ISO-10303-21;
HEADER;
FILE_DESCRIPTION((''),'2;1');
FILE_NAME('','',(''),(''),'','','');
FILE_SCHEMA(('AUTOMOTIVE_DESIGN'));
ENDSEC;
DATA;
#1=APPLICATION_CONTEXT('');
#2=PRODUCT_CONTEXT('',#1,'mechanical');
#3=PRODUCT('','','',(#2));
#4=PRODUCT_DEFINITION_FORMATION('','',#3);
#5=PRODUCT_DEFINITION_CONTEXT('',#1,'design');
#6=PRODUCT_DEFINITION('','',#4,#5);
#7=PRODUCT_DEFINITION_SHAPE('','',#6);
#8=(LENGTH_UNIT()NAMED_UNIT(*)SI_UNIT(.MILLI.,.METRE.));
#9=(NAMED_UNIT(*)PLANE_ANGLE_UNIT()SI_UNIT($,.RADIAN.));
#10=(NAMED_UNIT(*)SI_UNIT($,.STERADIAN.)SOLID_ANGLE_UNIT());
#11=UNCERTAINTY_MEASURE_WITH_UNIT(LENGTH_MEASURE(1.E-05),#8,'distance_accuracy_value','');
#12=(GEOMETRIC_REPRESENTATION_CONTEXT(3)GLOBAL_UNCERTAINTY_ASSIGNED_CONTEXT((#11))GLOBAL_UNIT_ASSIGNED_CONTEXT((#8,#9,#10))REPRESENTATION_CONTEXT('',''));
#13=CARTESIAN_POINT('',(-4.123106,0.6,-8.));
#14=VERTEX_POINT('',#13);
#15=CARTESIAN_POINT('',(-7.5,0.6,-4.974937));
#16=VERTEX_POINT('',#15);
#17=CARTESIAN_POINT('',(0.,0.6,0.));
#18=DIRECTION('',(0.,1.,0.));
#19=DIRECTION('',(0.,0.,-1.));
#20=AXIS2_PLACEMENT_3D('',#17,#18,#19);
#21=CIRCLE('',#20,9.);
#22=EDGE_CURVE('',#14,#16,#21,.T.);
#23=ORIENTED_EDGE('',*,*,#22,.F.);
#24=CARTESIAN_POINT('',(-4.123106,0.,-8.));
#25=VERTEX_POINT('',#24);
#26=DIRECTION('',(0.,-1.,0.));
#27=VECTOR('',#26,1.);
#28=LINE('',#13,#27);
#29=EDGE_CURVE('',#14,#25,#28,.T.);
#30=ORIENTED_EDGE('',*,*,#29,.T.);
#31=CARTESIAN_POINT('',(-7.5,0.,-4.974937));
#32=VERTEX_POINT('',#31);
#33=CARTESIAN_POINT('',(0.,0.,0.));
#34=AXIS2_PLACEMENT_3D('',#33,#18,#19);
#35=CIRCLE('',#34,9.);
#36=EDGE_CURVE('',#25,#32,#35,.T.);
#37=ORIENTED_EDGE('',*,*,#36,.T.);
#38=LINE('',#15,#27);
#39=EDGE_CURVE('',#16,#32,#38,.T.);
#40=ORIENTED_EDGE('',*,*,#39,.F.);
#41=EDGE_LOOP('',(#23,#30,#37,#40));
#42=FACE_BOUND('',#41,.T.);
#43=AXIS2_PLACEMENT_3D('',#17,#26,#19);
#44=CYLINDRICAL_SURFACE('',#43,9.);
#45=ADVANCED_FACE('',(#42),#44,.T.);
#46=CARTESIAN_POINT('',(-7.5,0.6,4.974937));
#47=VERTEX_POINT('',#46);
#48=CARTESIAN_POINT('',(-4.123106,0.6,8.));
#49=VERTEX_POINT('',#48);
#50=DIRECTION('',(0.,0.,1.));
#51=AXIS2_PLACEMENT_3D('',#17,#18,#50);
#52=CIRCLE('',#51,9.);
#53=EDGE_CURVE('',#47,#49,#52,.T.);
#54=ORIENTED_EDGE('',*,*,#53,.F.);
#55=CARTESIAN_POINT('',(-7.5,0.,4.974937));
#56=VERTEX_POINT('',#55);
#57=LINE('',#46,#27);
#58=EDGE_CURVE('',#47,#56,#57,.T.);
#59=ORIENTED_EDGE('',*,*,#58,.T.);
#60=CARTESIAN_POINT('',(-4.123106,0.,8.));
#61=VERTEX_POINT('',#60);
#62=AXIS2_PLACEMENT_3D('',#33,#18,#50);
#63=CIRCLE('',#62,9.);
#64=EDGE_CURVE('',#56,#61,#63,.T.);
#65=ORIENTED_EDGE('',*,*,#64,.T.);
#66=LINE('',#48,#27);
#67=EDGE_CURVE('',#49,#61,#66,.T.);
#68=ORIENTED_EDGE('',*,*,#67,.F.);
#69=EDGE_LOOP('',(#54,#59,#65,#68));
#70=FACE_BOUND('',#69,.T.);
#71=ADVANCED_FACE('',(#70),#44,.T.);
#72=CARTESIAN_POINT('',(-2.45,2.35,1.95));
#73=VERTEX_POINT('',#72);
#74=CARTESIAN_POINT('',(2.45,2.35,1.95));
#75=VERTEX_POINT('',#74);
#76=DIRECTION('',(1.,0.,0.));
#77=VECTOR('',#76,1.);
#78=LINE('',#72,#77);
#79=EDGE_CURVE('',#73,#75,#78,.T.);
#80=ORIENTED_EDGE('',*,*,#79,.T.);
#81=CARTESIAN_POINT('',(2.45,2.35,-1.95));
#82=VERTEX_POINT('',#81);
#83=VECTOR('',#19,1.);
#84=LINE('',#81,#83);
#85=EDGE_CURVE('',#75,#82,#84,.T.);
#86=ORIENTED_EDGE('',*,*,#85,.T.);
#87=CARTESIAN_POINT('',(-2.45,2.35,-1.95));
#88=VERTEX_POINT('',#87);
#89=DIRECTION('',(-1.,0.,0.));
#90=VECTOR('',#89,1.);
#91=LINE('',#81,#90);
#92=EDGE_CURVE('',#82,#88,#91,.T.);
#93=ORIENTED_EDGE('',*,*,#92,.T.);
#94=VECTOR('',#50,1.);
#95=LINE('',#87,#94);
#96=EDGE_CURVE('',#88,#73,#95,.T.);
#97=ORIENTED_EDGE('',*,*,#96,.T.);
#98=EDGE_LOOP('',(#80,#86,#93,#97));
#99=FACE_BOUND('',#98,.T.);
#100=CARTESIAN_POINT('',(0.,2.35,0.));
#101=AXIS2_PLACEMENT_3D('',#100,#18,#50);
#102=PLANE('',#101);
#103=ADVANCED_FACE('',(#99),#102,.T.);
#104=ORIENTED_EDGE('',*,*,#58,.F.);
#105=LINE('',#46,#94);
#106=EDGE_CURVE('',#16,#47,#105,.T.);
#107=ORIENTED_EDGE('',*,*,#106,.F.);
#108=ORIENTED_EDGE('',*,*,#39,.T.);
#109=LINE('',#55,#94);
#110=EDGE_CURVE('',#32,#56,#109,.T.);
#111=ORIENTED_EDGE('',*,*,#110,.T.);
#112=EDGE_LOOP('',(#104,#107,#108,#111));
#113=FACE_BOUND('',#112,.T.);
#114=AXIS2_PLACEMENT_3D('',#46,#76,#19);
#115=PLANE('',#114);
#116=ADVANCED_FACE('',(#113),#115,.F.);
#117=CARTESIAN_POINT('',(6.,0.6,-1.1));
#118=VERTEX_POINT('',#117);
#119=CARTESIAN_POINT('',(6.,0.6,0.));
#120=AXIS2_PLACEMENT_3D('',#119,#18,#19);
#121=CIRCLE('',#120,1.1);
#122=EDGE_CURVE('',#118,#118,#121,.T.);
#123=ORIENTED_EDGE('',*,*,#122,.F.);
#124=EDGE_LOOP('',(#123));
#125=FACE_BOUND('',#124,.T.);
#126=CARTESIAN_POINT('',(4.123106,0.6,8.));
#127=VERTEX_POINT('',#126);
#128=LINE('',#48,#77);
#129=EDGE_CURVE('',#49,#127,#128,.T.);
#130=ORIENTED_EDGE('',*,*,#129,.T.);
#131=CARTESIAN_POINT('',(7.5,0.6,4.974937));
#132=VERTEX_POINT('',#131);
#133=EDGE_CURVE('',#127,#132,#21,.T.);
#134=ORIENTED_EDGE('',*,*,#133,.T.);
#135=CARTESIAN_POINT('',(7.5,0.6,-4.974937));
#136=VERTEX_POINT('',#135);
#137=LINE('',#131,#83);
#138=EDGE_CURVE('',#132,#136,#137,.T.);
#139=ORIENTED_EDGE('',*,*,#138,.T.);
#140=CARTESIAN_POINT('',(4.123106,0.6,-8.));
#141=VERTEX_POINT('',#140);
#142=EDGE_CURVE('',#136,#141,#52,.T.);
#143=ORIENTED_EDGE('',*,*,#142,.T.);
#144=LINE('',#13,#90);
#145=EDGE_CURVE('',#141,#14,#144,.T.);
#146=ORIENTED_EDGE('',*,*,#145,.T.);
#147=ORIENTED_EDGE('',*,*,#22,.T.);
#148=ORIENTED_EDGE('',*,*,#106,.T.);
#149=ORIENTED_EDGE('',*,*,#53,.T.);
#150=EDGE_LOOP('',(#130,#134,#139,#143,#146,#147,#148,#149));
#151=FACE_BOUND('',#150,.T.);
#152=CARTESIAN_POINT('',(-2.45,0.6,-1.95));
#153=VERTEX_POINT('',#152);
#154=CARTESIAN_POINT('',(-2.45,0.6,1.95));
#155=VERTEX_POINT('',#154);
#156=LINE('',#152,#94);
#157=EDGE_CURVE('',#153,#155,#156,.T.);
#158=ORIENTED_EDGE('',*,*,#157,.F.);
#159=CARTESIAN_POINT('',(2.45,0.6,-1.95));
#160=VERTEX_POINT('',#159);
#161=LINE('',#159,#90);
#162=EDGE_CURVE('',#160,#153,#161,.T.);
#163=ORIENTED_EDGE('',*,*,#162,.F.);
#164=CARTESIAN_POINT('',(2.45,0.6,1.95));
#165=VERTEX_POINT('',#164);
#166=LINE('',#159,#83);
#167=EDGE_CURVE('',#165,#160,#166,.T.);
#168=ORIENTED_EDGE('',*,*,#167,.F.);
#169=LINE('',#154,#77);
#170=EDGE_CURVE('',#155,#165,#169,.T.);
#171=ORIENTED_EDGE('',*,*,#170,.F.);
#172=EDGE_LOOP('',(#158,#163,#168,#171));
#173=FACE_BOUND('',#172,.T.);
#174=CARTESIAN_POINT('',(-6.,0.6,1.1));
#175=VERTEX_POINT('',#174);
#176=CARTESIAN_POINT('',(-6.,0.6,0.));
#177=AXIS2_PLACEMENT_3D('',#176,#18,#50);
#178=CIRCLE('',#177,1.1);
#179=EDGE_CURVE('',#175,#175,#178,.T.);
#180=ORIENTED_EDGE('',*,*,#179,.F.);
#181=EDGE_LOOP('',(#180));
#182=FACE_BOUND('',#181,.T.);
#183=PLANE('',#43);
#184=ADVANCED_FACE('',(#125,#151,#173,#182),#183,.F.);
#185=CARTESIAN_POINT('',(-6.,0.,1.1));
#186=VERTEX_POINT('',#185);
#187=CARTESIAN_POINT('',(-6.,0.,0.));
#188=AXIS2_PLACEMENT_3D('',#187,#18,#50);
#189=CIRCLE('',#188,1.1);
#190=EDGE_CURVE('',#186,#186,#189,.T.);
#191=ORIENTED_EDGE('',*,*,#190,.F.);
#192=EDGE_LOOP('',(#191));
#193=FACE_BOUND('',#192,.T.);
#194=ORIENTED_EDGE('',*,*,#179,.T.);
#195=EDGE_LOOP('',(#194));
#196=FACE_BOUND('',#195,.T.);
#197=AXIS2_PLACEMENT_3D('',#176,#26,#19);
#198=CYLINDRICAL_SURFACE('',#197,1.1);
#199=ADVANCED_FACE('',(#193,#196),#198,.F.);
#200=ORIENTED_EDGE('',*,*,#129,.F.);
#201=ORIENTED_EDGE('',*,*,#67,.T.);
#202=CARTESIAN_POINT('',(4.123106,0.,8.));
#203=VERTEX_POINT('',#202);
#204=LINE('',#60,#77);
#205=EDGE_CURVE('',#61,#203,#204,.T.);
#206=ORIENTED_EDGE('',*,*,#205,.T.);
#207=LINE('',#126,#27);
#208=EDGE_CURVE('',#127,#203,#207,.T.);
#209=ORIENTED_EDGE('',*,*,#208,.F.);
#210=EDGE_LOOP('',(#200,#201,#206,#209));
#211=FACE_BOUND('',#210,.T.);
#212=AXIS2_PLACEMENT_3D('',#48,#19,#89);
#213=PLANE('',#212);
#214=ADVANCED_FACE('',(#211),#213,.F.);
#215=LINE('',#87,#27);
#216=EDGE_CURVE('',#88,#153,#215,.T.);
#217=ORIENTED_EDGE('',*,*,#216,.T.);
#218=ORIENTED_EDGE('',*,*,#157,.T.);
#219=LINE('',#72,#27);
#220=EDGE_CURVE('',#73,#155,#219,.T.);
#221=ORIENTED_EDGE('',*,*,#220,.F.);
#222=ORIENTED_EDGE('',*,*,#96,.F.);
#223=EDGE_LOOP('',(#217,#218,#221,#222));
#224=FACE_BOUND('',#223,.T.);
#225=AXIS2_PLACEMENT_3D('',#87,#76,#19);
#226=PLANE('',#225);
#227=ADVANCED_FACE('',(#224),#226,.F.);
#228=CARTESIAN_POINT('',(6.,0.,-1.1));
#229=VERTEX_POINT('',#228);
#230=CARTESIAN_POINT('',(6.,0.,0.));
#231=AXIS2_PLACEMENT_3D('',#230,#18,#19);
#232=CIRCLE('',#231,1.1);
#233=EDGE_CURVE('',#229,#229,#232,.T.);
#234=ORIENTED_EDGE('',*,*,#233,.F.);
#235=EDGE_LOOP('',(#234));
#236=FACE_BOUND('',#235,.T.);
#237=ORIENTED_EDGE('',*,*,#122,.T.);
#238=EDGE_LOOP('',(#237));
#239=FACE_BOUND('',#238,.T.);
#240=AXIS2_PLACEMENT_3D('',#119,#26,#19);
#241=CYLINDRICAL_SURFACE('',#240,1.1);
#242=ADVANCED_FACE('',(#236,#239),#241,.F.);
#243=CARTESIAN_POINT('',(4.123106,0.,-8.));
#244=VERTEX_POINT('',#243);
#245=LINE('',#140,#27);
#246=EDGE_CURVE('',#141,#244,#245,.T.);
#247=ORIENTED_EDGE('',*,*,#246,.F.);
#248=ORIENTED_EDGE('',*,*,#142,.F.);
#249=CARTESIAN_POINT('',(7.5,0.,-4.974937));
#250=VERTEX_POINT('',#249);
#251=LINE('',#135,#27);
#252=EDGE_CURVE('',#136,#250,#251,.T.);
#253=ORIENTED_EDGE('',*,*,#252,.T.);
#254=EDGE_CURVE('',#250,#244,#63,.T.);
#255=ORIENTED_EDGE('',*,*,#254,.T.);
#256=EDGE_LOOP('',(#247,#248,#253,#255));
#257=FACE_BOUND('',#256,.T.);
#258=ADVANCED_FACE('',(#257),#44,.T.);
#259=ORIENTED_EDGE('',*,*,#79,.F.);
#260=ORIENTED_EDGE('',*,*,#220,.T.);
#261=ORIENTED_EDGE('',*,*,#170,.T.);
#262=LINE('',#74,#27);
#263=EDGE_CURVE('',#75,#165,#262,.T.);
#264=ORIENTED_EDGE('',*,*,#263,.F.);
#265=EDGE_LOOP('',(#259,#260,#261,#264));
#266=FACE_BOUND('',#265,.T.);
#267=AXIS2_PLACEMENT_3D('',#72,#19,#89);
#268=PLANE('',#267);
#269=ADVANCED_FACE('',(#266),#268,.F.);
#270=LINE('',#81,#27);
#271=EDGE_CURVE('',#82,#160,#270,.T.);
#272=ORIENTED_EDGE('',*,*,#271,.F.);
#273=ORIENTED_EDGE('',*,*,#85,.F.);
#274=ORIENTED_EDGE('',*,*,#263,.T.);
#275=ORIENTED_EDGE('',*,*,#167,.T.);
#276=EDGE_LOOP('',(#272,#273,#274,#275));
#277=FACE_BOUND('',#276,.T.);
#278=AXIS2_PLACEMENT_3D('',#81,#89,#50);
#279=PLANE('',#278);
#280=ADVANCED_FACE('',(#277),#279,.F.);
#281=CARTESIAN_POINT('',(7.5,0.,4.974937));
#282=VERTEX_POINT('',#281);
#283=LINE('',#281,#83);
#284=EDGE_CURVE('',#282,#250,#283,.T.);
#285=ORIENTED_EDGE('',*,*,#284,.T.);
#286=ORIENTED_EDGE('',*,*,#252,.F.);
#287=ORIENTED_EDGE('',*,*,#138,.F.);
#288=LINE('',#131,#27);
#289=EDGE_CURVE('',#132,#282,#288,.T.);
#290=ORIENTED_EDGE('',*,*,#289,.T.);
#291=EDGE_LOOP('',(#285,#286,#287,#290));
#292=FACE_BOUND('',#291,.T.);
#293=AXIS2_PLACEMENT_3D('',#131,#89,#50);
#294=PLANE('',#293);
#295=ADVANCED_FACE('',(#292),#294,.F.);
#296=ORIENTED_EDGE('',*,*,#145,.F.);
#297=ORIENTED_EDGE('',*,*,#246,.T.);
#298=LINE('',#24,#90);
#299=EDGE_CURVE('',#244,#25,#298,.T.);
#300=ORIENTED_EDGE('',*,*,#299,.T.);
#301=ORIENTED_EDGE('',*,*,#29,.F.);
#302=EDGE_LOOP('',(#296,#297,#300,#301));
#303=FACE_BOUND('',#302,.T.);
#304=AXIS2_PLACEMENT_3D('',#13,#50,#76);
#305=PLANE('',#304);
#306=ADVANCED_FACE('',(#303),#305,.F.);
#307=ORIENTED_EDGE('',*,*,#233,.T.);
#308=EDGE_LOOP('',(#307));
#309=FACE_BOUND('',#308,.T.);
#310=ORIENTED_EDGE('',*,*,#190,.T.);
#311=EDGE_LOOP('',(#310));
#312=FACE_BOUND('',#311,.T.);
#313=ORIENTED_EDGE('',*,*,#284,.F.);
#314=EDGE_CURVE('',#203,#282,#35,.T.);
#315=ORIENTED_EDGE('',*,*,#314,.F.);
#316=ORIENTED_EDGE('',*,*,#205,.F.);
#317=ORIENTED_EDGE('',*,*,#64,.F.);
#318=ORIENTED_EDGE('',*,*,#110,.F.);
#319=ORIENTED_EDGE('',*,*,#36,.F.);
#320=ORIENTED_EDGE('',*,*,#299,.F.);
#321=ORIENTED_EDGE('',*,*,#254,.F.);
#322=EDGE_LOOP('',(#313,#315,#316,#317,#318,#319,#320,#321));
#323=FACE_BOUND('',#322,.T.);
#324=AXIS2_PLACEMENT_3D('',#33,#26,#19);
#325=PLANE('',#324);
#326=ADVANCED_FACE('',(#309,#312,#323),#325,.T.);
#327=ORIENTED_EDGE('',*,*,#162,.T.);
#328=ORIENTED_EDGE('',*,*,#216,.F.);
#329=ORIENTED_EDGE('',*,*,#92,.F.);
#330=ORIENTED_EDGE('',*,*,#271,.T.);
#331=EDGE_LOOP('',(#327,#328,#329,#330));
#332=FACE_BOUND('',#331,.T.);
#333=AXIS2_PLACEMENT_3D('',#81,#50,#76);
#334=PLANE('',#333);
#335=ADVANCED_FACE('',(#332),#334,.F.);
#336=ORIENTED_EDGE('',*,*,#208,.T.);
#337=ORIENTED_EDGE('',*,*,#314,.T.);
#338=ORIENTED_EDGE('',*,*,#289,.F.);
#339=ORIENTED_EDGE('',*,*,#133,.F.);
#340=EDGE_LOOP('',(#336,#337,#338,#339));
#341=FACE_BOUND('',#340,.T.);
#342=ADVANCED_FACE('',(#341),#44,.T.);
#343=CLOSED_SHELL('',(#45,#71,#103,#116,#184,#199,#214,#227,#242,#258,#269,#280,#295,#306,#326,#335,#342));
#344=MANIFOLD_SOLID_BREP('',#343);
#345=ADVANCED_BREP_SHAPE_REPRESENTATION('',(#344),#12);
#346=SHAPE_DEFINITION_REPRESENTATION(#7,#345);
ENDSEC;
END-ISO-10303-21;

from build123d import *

# Parameters (mm, degrees)
SKETCH_1_R      = 1.1
EXTRUDE_1_DEPTH = 0.6
SKETCH_2_W      = 4.9
SKETCH_2_H      = 3.9
EXTRUDE_2_DEPTH = 1.75


with BuildPart() as part:
    # 草图1 → 凸台-拉伸1 (new body)
    with BuildSketch(Plane(origin=(0, 0, 0), x_dir=(1, 0, 0), z_dir=(0, 1, 0))):
        with BuildLine():
            Line((-4.123105626, 8), (4.123105626, 8))
            ThreePointArc((4.123105626, 8), (6.005155898, 6.703588789), (7.5, 4.974937186))
            Line((7.5, 4.974937186), (7.5, -4.974937186))
            ThreePointArc((7.5, -4.974937186), (6.005155898, -6.703588789), (4.123105626, -8))
            Line((4.123105626, -8), (-4.123105626, -8))
            ThreePointArc((-4.123105626, -8), (-6.005155898, -6.703588789), (-7.5, -4.974937186))
            Line((-7.5, -4.974937186), (-7.5, 4.974937186))
            ThreePointArc((-7.5, 4.974937186), (-6.005155898, 6.703588789), (-4.123105626, 8))
        make_face()
        with Locations((-6, 0)):
            Circle(SKETCH_1_R, mode=Mode.SUBTRACT)
        with Locations((6, 0)):
            Circle(SKETCH_1_R, mode=Mode.SUBTRACT)
    extrude(amount=EXTRUDE_1_DEPTH)

    # 草图2 → 凸台-拉伸2 (add)
    with BuildSketch(Plane(origin=(0, 0.6, 0), x_dir=(1, 0, 0), z_dir=(0, 1, 0))):
        Rectangle(SKETCH_2_W, SKETCH_2_H)
    extrude(amount=EXTRUDE_2_DEPTH)


solid = part.part
